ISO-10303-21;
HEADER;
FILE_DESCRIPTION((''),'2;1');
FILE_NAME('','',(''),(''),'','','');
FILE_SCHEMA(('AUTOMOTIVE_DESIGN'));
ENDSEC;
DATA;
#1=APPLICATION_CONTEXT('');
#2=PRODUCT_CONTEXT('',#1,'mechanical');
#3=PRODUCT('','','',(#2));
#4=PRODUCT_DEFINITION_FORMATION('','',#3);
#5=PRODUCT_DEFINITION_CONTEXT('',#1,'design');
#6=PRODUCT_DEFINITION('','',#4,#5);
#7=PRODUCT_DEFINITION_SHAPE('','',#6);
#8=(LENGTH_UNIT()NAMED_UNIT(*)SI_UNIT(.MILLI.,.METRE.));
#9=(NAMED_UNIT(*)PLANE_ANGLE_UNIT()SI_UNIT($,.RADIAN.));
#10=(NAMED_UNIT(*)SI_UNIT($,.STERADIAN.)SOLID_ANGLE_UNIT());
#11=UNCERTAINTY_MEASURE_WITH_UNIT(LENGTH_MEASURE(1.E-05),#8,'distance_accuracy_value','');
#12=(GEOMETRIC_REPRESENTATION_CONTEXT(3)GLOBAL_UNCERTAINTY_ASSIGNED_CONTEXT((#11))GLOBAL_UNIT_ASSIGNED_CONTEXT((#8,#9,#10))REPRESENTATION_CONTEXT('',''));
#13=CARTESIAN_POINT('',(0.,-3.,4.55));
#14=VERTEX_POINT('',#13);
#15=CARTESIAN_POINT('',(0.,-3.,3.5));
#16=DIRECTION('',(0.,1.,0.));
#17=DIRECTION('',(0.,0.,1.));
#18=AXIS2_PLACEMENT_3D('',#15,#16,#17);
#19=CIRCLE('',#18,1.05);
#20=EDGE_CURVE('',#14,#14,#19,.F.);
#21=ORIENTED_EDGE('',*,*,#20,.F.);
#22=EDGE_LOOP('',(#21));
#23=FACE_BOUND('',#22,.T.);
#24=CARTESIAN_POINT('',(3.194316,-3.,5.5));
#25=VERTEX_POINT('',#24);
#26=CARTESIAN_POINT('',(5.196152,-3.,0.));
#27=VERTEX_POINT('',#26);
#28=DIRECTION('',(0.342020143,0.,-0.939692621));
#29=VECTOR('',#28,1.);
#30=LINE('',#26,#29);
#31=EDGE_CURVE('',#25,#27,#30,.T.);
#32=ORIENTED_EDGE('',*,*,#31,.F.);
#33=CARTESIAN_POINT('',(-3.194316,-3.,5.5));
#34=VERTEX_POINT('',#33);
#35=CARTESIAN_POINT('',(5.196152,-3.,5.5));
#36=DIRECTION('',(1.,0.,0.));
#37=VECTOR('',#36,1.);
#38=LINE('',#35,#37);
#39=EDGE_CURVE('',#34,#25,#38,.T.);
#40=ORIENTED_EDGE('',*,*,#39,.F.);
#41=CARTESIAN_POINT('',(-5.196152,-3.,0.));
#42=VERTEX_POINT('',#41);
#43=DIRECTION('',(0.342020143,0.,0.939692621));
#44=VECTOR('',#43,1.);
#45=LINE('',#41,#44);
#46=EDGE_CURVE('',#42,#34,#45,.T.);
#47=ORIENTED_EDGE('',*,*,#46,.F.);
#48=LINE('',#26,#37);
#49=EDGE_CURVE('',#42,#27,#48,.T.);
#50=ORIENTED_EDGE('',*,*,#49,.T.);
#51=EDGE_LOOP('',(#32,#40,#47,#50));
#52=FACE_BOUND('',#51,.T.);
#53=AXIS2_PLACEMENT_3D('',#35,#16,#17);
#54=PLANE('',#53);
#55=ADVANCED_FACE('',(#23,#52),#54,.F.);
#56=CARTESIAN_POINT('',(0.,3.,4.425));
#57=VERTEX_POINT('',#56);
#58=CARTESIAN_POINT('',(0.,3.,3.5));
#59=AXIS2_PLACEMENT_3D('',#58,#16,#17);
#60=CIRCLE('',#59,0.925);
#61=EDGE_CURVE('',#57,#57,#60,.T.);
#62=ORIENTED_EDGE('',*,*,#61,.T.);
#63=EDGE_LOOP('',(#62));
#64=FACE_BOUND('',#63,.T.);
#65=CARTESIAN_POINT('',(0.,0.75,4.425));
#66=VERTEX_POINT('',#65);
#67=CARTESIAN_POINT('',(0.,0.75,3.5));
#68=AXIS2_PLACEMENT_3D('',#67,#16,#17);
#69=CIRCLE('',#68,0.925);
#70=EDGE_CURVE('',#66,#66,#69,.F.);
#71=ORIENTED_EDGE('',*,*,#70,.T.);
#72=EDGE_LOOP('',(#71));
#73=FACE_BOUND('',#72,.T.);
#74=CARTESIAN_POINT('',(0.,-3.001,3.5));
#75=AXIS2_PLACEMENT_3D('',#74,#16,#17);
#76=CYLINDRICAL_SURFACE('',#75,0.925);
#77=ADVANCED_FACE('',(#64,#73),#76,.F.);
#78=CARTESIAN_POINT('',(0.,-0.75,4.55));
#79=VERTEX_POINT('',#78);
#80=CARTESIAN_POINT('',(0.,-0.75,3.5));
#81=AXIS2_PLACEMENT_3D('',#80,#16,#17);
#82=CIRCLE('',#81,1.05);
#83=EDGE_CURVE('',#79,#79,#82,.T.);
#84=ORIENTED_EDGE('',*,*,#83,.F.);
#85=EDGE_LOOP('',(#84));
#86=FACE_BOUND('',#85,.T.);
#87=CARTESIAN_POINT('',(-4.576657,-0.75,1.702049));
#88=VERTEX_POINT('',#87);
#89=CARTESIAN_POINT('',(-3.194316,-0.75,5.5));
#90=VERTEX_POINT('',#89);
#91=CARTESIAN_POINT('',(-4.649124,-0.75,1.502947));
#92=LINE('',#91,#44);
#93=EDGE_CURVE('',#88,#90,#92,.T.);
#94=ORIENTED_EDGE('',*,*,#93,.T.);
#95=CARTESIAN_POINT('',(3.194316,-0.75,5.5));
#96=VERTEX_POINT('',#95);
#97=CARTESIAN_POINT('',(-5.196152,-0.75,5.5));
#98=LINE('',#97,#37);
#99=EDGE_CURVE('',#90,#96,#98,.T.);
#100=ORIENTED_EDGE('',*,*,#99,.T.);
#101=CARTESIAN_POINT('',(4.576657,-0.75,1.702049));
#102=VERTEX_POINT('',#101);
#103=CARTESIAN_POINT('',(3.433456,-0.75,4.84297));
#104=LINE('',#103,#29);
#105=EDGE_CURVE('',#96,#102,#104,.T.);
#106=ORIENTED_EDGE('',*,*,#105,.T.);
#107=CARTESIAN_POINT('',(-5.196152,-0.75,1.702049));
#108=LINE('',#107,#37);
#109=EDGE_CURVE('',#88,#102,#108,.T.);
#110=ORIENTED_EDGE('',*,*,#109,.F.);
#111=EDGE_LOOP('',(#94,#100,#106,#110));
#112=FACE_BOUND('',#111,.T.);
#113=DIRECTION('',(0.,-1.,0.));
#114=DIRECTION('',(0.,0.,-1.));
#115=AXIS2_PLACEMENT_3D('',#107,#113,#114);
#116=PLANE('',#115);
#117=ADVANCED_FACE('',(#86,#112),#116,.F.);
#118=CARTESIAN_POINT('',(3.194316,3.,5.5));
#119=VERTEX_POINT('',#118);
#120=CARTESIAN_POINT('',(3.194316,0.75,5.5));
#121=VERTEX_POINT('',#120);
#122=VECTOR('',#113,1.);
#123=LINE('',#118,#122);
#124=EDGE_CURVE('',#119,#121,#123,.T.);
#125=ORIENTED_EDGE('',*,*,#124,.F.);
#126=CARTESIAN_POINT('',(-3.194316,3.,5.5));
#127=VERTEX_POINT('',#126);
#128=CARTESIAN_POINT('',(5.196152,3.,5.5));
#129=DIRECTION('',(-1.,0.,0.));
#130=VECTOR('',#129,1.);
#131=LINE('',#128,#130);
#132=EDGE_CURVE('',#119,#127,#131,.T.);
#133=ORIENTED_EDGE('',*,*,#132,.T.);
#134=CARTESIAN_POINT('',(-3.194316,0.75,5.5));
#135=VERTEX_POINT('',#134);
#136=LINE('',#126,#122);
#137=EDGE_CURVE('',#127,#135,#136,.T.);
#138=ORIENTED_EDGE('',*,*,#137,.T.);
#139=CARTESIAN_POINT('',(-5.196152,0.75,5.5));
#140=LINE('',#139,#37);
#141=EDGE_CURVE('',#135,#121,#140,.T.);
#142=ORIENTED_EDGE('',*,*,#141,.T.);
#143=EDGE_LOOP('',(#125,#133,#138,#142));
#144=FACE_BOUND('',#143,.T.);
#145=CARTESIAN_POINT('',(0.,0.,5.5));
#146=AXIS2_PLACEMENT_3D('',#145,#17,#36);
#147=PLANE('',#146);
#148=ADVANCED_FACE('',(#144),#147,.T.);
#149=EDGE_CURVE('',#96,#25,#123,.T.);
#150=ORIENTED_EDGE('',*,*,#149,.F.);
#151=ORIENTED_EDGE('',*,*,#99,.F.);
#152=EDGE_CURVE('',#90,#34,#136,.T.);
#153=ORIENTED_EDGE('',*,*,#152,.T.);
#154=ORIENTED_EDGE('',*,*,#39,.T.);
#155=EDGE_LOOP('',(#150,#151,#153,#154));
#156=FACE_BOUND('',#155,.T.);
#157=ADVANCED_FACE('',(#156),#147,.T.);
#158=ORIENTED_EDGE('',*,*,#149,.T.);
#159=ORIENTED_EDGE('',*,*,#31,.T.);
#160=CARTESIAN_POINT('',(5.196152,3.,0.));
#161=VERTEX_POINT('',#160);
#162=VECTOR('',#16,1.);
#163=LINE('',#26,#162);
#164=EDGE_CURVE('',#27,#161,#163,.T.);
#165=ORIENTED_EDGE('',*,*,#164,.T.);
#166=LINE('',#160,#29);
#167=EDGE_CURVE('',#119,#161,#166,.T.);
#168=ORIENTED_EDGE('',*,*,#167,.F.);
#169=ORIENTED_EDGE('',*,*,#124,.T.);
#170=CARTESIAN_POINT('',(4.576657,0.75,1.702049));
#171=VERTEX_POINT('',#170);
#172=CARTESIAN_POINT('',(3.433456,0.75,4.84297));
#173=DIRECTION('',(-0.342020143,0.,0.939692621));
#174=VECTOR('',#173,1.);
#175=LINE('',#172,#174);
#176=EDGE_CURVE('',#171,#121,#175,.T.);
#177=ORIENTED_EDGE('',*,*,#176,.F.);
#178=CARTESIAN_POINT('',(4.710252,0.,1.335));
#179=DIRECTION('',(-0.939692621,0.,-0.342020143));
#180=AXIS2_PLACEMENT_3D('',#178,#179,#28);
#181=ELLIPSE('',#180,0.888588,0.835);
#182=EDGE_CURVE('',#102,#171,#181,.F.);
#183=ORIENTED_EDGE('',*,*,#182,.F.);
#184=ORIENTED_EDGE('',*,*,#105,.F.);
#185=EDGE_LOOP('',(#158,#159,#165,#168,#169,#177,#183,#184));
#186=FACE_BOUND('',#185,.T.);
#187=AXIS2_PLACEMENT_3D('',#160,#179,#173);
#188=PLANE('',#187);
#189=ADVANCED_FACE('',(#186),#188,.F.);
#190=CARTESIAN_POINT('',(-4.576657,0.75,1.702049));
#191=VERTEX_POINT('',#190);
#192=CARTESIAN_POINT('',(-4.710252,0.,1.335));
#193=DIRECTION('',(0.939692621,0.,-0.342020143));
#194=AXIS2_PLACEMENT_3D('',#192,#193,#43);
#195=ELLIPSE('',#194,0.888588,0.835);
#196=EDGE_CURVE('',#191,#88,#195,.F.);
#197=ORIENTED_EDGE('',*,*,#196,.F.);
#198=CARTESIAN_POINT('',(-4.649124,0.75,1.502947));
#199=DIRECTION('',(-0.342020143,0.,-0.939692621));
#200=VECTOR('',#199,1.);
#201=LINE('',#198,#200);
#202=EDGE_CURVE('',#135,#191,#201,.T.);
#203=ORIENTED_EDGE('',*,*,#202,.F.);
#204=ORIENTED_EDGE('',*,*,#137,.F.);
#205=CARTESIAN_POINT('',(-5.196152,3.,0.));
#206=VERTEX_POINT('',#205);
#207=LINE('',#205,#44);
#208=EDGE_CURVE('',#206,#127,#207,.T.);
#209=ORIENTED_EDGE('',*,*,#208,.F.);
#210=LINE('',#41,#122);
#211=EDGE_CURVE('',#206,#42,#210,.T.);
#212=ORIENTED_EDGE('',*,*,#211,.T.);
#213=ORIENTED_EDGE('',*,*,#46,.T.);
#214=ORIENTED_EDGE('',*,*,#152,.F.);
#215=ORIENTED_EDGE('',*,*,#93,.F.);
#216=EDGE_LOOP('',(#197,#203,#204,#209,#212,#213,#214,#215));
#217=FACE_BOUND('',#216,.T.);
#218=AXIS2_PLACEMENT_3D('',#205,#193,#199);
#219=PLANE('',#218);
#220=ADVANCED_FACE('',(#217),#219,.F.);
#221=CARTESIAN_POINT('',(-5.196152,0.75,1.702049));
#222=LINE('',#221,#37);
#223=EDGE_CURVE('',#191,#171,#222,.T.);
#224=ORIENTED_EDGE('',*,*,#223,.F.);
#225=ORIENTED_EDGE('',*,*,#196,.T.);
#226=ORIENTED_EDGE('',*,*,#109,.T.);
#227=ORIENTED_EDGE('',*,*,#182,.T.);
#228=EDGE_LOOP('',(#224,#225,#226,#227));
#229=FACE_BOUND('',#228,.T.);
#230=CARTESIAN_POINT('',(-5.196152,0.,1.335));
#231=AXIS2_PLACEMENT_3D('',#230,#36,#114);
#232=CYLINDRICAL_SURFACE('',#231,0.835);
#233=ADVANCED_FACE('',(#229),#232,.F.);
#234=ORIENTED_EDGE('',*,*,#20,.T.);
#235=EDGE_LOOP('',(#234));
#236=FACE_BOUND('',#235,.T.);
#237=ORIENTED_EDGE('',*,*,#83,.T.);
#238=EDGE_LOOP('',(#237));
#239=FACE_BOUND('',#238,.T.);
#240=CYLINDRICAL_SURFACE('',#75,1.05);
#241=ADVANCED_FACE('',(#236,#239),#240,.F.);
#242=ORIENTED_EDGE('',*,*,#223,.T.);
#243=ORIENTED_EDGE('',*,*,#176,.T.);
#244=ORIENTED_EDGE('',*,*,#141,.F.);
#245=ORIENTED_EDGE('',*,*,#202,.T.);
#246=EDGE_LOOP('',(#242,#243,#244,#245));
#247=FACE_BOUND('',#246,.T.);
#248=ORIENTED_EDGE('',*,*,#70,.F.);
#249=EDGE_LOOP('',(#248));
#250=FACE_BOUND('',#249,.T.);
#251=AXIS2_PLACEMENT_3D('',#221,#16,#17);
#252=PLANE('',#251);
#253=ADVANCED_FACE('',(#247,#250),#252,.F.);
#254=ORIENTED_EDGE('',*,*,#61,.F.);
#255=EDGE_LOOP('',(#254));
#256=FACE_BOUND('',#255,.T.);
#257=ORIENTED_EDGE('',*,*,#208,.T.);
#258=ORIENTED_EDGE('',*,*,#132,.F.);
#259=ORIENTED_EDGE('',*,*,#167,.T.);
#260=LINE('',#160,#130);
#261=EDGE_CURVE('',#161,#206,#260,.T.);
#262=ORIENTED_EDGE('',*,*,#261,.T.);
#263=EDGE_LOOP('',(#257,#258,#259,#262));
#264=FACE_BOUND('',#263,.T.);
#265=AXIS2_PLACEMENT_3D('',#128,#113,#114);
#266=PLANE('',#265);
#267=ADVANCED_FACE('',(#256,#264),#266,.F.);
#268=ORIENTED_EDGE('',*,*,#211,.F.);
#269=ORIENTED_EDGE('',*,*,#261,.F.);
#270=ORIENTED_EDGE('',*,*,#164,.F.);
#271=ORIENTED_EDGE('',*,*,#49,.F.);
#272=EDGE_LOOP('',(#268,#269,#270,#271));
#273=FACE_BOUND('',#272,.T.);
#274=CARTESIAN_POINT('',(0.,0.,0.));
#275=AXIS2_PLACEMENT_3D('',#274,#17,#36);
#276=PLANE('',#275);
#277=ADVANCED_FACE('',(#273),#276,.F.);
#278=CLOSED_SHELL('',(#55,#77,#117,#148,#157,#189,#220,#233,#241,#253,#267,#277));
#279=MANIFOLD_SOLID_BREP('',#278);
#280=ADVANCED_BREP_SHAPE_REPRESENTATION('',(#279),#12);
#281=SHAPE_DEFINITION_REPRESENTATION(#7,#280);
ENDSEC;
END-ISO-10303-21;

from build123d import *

# Parameters (mm, degrees)
SKETCH8_W           = 10.392304846
SKETCH8_H           = 6
BOSS_EXTRUDE3_DEPTH = 5.5
CUT_EXTRUDE5_DEPTH  = 11.392304845
CUT_EXTRUDE7_REACH  = 8
SKETCH11_R          = 0.925
CUT_EXTRUDE8_REACH  = 4.25
SKETCH12_R          = 1.05
CUT_EXTRUDE6_DEPTH  = 7


with BuildPart() as part:
    # Sketch8 → Boss-Extrude3 (new body)
    with BuildSketch(Plane.XY):
        Rectangle(SKETCH8_W, SKETCH8_H)
    extrude(amount=BOSS_EXTRUDE3_DEPTH)

    # Sketch9 → Cut-Extrude5 (cut, through all)
    with BuildSketch(Plane(origin=(5.196152423, 0, 0), x_dir=(0, 0, -1), z_dir=(1, 0, 0))):
        with BuildLine():
            Line((-1.702049043, 0.75), (-5.5, 0.75))
            Line((-5.5, 0.75), (-5.5, -0.75))
            Line((-5.5, -0.75), (-1.702049043, -0.75))
            ThreePointArc((-1.702049043, -0.75), (-0.5, 0), (-1.702049043, 0.75))
        make_face()
    extrude(amount=-CUT_EXTRUDE5_DEPTH, mode=Mode.SUBTRACT)

    # Sketch11 → Cut-Extrude7 (cut, up to next)
    with BuildSketch(Plane(origin=(0, 3, 0), x_dir=(1, 0, 0), z_dir=(0, 1, 0)), mode=Mode.PRIVATE) as cut_extrude7_sk1:
        with Locations((0, -3.5)):
            Circle(SKETCH11_R)
    cut_extrude7_tool1 = extrude(cut_extrude7_sk1.sketch, amount=-CUT_EXTRUDE7_REACH, mode=Mode.PRIVATE) & part.part
    add(cut_extrude7_tool1.solids().sort_by_distance((0, 3, 3.5))[0], mode=Mode.SUBTRACT)

    # Sketch12 → Cut-Extrude8 (cut, up to next)
    with BuildSketch(Plane(origin=(0, -0.75, 0), x_dir=(1, 0, 0), z_dir=(0, 1, 0)), mode=Mode.PRIVATE) as cut_extrude8_sk1:
        with Locations((0, -3.5)):
            Circle(SKETCH12_R)
    cut_extrude8_tool1 = extrude(cut_extrude8_sk1.sketch, amount=-CUT_EXTRUDE8_REACH, mode=Mode.PRIVATE) & part.part
    add(cut_extrude8_tool1.solids().sort_by_distance((0, -0.75, 3.5))[0], mode=Mode.SUBTRACT)

    # Sketch10 → Cut-Extrude6 (cut, through all)
    with BuildSketch(Plane.XZ.offset(3)):
        Polygon((5.196152423, 0), (3.194316134, 5.5), (5.196152423, 5.5), align=None)
        Polygon((-5.196152423, 5.5), (-5.196152423, 0), (-3.194316134, 5.5), align=None)
    extrude(amount=-CUT_EXTRUDE6_DEPTH, mode=Mode.SUBTRACT)


solid = part.part
